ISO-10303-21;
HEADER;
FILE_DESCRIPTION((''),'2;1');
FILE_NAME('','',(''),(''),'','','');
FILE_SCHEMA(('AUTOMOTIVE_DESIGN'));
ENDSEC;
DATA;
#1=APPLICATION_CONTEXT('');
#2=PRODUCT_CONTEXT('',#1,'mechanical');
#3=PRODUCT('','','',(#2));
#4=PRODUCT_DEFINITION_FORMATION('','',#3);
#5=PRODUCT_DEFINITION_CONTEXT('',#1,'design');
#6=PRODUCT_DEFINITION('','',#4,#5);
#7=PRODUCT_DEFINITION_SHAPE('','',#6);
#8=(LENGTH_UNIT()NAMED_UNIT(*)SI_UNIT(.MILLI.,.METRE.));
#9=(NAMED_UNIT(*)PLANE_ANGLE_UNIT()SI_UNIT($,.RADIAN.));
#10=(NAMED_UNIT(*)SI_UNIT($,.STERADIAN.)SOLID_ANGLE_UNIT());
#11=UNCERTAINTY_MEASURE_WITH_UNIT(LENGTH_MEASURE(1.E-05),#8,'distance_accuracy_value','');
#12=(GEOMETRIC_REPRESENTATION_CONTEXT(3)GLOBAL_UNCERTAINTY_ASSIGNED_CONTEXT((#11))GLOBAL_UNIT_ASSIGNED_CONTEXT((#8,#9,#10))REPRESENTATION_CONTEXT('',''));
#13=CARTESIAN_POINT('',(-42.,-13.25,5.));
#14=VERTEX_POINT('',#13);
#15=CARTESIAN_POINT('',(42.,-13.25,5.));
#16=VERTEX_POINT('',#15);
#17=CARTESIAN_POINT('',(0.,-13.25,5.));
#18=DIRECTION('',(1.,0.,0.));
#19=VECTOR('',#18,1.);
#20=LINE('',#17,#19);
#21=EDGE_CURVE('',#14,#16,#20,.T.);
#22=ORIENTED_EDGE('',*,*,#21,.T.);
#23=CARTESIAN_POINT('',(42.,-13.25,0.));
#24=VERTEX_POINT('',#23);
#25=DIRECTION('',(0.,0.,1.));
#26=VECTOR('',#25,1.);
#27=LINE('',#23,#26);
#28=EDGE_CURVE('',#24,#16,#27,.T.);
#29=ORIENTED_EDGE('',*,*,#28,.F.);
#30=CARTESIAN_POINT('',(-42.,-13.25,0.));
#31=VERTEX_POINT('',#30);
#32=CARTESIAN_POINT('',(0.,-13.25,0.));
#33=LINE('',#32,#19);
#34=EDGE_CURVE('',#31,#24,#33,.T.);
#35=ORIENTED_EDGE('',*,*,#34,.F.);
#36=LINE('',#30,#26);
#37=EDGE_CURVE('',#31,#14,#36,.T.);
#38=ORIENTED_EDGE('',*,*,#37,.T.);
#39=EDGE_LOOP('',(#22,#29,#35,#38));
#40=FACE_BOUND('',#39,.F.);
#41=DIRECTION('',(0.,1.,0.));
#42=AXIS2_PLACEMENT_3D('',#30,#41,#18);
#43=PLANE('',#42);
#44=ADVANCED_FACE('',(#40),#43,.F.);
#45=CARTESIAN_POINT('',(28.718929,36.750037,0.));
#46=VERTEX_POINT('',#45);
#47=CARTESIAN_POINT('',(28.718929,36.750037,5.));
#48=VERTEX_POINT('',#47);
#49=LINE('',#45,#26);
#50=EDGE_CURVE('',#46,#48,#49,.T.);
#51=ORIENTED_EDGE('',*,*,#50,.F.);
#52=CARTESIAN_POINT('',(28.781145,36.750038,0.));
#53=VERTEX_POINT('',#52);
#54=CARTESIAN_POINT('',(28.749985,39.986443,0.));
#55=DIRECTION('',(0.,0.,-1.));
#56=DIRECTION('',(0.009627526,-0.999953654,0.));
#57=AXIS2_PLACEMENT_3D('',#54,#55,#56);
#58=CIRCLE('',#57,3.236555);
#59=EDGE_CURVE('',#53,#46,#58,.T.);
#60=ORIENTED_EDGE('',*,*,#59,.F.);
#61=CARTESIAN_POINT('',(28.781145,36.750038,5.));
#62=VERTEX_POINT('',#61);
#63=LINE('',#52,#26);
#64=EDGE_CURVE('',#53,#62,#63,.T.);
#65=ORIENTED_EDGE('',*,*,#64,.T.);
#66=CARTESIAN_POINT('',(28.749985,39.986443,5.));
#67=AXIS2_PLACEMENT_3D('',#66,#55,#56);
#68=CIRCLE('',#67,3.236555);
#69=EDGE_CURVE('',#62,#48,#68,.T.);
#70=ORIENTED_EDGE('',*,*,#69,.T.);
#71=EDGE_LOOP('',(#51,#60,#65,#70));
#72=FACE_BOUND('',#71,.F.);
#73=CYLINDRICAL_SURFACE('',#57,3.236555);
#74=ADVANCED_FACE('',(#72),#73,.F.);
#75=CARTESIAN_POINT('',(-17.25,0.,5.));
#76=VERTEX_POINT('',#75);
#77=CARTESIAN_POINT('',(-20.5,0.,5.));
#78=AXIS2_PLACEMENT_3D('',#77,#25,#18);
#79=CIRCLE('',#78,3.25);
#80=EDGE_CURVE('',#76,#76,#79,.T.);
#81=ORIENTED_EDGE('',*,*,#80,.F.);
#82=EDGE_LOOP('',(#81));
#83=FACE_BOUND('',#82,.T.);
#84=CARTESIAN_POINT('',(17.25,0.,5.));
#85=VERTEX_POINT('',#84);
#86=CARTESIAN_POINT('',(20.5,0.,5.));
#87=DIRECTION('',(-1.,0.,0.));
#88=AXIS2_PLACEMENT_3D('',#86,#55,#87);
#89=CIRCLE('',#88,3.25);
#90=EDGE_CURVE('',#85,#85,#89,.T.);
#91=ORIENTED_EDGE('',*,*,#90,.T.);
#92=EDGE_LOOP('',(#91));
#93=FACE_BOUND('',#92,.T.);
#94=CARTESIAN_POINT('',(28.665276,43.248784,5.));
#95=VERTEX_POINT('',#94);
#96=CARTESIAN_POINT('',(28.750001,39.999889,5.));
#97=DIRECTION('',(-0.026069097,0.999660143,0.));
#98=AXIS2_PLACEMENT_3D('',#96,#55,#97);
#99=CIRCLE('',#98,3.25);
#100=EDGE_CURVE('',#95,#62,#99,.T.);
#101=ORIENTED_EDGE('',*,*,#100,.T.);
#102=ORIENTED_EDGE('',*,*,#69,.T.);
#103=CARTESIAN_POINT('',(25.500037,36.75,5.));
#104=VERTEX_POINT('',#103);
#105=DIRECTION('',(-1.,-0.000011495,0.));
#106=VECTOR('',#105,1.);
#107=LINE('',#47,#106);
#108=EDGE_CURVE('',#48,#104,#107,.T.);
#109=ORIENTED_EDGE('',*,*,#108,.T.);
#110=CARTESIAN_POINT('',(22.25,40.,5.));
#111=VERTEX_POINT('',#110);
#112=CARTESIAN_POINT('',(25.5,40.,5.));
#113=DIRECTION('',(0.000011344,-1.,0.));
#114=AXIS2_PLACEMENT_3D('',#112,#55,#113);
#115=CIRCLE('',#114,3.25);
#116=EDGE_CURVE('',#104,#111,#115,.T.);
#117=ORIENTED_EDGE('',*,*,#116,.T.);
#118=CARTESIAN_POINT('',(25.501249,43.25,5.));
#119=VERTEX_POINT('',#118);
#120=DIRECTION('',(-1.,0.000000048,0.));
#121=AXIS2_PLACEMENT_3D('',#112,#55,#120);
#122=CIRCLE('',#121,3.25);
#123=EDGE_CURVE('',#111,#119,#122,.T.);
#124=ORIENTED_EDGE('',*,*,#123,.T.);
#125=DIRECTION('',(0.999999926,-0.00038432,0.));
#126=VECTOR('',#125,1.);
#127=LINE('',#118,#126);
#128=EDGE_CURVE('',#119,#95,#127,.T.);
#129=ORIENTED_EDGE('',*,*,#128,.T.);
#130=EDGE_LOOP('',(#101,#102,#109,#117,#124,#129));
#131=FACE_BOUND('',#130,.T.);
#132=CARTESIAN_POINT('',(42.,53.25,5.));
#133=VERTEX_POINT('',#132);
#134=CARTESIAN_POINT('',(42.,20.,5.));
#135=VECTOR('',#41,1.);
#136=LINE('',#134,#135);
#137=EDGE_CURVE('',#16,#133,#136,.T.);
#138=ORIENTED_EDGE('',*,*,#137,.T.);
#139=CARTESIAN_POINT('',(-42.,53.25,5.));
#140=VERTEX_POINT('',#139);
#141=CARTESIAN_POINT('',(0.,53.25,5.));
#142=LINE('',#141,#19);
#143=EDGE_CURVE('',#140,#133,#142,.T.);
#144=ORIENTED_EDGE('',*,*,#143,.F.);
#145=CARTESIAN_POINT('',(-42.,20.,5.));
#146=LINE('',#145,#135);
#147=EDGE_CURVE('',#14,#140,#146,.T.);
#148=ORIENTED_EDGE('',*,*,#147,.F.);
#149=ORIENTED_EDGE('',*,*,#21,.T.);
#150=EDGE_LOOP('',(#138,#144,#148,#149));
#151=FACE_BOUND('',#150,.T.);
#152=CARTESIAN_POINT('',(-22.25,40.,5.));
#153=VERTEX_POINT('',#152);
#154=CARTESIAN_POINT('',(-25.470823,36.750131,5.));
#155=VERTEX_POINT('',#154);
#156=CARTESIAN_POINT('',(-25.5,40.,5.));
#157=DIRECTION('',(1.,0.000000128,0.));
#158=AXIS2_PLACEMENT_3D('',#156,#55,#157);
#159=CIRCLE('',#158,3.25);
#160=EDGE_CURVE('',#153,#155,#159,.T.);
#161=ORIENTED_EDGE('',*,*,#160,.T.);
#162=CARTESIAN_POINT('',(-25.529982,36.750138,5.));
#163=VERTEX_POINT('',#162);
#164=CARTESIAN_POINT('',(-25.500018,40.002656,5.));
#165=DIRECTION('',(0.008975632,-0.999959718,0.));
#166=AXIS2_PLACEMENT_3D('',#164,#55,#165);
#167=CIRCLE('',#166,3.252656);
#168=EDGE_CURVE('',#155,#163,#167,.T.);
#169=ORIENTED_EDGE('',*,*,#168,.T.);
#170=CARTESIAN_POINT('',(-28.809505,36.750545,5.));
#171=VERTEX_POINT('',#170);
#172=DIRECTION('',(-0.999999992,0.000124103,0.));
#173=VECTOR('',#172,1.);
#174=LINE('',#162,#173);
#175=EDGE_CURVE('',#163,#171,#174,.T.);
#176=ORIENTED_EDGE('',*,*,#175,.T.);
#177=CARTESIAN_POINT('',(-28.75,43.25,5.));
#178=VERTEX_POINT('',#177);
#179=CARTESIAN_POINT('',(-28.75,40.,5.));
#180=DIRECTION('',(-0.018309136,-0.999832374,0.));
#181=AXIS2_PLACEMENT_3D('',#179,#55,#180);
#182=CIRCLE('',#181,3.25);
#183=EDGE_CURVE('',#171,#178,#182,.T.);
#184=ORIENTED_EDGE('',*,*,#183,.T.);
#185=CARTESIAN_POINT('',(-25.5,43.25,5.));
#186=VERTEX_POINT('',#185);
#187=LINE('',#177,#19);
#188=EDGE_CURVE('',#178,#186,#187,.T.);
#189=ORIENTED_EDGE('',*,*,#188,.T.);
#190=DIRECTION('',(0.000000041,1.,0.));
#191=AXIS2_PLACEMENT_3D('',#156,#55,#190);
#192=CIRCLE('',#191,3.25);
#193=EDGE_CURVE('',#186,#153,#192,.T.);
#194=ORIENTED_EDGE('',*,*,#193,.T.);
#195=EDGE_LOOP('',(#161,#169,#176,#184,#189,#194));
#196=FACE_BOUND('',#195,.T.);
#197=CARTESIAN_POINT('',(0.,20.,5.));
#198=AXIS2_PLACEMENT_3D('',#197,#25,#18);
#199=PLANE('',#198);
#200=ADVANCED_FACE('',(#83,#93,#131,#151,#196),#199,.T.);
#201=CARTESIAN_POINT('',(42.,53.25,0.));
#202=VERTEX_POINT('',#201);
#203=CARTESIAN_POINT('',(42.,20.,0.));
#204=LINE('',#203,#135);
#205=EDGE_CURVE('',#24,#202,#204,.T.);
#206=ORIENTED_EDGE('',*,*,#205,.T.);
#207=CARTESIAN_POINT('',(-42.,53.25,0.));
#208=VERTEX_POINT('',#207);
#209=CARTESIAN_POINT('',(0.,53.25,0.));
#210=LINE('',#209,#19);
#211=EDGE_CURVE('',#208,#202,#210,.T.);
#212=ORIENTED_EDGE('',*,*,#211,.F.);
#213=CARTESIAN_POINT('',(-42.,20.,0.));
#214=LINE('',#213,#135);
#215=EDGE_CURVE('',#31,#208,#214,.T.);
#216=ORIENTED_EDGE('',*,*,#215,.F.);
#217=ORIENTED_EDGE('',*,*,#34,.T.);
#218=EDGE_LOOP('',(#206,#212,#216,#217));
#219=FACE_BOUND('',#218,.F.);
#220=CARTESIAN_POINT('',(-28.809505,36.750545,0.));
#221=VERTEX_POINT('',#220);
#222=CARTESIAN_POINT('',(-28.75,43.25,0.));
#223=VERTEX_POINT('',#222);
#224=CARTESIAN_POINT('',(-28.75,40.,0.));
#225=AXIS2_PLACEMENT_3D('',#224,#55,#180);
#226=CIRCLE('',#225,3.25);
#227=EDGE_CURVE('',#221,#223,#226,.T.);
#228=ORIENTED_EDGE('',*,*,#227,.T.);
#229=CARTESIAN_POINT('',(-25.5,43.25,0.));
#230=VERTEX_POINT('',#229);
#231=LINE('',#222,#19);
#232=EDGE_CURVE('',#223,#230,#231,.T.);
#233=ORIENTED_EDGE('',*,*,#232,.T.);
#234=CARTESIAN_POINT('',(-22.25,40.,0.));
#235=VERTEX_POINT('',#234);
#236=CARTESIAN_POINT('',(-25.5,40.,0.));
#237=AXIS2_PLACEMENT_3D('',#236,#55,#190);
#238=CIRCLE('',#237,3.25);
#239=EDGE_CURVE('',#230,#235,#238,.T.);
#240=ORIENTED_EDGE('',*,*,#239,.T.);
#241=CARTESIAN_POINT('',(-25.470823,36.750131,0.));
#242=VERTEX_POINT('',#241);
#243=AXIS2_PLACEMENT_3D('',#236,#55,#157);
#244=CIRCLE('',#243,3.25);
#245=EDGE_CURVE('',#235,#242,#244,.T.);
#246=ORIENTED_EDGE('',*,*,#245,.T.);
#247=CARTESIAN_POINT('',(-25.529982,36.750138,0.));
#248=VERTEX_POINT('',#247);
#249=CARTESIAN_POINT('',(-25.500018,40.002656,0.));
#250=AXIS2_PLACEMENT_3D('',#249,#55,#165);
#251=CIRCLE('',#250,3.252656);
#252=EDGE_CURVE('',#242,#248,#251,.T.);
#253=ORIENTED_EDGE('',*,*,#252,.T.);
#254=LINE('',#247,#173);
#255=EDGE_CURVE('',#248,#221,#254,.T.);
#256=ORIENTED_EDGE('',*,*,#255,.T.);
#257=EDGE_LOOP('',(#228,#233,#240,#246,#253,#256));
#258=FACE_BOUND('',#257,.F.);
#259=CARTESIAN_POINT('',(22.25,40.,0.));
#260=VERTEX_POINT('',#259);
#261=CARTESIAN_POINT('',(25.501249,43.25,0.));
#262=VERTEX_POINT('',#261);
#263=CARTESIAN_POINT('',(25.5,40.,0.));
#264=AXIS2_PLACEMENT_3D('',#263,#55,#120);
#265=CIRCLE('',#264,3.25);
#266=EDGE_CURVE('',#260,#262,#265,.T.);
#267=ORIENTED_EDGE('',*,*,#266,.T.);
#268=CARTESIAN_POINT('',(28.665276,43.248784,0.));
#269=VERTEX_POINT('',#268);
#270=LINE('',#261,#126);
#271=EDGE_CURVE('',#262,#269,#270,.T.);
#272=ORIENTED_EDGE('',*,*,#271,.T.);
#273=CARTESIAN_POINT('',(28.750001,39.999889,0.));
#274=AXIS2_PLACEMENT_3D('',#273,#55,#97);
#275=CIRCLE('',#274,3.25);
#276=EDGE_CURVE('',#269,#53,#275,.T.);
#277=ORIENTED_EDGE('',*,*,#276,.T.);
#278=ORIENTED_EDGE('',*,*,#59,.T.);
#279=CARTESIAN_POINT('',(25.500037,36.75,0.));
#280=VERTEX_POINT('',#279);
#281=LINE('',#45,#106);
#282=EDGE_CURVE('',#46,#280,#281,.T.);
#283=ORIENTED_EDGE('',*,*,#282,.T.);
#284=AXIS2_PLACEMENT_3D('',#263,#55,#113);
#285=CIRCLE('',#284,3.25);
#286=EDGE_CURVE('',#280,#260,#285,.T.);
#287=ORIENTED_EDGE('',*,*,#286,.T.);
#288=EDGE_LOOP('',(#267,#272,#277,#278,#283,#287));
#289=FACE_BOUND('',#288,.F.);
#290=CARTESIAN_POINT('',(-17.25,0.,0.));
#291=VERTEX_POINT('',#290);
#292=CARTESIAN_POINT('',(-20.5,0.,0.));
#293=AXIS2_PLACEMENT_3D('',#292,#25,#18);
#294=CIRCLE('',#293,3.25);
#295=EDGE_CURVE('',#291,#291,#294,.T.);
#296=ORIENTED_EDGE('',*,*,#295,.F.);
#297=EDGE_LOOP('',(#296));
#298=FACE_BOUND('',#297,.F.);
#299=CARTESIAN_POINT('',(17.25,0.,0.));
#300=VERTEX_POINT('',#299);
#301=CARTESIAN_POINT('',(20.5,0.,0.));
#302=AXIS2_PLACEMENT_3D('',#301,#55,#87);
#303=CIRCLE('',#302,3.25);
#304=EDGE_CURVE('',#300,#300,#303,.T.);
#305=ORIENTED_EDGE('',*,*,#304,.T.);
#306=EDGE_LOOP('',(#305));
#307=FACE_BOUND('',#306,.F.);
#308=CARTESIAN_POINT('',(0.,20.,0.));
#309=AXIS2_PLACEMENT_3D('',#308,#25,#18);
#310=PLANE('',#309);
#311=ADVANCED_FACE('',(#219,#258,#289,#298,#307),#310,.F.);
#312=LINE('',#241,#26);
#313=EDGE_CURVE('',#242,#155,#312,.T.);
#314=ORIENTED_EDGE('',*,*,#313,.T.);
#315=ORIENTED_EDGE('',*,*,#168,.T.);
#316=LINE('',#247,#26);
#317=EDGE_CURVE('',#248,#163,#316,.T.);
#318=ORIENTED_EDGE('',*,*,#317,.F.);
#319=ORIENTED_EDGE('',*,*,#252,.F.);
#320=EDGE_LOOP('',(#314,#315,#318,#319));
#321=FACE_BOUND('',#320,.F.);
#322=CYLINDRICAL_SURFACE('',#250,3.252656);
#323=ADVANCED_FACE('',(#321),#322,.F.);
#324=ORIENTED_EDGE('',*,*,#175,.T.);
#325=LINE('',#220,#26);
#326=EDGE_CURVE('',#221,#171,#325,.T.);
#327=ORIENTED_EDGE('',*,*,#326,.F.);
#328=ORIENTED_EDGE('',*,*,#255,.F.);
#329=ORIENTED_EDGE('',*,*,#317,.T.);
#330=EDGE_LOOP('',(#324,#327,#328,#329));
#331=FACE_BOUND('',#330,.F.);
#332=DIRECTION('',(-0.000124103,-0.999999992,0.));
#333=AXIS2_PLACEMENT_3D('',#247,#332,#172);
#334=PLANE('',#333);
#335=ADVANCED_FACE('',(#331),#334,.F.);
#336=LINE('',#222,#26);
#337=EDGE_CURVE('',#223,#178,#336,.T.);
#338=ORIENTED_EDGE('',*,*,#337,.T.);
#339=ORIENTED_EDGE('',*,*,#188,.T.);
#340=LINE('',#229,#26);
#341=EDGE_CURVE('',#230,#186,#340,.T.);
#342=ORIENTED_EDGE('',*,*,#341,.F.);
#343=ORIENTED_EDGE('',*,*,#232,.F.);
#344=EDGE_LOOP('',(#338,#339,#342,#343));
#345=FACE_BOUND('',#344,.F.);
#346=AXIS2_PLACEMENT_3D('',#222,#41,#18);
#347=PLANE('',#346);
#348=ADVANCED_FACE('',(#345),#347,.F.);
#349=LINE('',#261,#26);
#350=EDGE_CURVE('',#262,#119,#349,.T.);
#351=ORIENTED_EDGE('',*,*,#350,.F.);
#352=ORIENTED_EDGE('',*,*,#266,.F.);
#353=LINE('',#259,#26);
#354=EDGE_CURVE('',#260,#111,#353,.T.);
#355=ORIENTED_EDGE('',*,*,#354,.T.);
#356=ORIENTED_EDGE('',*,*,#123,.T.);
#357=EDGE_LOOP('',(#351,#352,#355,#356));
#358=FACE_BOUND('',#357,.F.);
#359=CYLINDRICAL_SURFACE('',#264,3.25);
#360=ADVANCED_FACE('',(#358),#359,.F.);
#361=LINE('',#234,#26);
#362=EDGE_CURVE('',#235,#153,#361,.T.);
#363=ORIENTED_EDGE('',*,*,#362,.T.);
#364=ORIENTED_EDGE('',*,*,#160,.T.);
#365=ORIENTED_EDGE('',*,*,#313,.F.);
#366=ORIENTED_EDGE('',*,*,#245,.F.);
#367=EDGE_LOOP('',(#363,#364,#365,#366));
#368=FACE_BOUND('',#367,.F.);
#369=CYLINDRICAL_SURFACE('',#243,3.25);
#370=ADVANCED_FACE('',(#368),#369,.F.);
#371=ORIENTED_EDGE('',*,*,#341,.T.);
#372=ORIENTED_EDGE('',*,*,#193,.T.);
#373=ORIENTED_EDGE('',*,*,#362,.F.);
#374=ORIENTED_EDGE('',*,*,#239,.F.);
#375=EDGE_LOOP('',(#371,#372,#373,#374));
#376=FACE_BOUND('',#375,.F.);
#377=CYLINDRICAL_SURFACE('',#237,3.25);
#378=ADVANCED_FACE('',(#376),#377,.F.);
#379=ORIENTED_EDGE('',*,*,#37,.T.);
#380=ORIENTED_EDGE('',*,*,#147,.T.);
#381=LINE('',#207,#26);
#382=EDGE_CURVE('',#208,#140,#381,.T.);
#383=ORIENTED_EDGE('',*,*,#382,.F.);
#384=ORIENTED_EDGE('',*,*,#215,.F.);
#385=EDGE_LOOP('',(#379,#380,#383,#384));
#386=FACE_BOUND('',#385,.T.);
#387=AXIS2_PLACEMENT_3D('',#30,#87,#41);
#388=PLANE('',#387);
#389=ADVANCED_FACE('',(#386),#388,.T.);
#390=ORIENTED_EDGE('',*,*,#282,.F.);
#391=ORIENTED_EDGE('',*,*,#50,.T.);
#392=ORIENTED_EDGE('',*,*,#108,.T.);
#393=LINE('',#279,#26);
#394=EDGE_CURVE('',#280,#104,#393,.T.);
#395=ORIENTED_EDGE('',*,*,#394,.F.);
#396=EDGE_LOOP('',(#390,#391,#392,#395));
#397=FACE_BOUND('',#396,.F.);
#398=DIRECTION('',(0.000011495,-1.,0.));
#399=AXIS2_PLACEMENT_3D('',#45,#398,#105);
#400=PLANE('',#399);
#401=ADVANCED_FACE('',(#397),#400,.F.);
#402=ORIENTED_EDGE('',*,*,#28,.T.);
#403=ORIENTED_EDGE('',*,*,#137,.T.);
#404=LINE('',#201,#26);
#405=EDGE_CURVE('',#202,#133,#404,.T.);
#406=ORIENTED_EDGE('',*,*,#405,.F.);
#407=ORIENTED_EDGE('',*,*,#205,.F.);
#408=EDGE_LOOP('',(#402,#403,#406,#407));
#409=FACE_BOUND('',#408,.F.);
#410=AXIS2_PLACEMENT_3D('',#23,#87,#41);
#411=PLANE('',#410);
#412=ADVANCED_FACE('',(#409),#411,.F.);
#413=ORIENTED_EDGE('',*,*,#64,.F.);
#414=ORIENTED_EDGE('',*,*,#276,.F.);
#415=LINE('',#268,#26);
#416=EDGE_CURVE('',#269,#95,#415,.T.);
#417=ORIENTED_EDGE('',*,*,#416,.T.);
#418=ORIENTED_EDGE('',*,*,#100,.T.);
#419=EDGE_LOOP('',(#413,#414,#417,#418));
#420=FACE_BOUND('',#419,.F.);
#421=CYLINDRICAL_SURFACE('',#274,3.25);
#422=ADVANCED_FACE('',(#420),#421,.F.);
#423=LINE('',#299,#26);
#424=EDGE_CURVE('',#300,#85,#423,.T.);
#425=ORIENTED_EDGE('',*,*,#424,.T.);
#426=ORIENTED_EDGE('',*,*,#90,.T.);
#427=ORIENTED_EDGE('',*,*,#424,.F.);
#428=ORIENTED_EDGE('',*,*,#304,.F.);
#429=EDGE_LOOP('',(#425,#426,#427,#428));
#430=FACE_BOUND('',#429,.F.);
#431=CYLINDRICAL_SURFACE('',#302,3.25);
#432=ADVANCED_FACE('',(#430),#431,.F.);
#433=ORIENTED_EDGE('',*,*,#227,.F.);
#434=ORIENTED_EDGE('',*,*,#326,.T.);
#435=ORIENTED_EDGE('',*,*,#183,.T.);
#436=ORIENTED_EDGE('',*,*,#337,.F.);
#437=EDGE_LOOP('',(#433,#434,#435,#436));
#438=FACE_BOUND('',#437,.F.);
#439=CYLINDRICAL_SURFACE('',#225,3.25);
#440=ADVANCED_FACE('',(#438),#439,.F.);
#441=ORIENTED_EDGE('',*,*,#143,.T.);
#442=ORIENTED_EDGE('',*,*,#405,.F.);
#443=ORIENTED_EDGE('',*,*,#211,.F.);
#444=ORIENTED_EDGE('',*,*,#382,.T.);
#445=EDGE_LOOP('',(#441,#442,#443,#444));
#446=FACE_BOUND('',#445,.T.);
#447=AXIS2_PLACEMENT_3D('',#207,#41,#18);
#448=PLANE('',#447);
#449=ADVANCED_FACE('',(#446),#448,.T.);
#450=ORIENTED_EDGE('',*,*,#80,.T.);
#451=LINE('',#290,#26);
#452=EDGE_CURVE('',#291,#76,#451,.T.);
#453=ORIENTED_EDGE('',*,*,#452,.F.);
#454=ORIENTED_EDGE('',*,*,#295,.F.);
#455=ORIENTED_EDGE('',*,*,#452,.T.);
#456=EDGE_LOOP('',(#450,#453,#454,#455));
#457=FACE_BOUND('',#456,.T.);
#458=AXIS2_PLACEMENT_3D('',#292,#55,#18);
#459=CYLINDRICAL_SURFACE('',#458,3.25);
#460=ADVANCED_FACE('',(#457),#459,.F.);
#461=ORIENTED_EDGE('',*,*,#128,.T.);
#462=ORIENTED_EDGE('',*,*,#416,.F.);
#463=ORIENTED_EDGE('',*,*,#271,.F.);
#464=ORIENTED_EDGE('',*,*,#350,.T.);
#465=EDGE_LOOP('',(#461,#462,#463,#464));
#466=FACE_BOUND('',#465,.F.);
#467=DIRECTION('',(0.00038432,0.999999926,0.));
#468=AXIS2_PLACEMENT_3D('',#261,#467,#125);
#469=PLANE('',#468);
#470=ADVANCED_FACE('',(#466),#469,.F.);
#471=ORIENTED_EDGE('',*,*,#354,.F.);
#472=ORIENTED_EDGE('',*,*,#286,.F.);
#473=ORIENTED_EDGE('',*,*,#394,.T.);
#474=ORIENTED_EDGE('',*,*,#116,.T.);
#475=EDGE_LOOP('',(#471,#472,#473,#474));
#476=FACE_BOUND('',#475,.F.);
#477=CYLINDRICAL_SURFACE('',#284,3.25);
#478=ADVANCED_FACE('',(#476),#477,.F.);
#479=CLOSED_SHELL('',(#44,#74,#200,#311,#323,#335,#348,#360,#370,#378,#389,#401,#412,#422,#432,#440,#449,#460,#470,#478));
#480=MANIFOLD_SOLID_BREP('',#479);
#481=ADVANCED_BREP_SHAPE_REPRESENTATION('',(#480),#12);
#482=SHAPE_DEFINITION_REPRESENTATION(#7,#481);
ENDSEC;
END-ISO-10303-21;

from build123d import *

# Parameters (mm, degrees)
F0_W     = 84
F0_H     = 66.5
F0_R     = 3.25
F1_DEPTH = 5


with BuildPart() as f1:
    # F0 (on Top) → F1 (new body)
    with BuildSketch(Plane.XY):
        with Locations((0, 20)):
            Rectangle(F0_W, F0_H)
        with Locations((-20.5, 0)):
            Circle(F0_R, mode=Mode.SUBTRACT)
        with BuildLine():
            ThreePointArc((23.75, 0), (20.5, -3.25), (17.25, 0))
            ThreePointArc((17.25, 0), (20.5, 3.25), (23.75, 0))
        make_face(mode=Mode.SUBTRACT)
        with BuildLine():
            ThreePointArc((-25.5, 43.25), (-23.201903, 42.298097), (-22.25, 40))
            ThreePointArc((-22.25, 40), (-23.19161, 37.712242), (-25.470823, 36.750131))
            ThreePointArc((-25.470823, 36.750131), (-25.500403, 36.75), (-25.529982, 36.750138))
            Line((-25.529982, 36.750138), (-28.809505, 36.750545))
            ThreePointArc((-28.809505, 36.750545), (-31.999864, 40.029754), (-28.75, 43.25))
            Line((-28.75, 43.25), (-25.5, 43.25))
        make_face(mode=Mode.SUBTRACT)
        with BuildLine():
            ThreePointArc((25.500037, 36.75), (23.201916, 37.70189), (22.25, 40))
            ThreePointArc((22.25, 40), (23.202345, 42.298539), (25.501249, 43.25))
            Line((25.501249, 43.25), (28.665276, 43.248784))
            ThreePointArc((28.665276, 43.248784), (31.999484, 40.057825), (28.781145, 36.750038))
            ThreePointArc((28.781145, 36.750038), (28.750037, 36.749888), (28.718929, 36.750037))
            Line((28.718929, 36.750037), (25.500037, 36.75))
        make_face(mode=Mode.SUBTRACT)
    extrude(amount=F1_DEPTH)


solid = f1.part
